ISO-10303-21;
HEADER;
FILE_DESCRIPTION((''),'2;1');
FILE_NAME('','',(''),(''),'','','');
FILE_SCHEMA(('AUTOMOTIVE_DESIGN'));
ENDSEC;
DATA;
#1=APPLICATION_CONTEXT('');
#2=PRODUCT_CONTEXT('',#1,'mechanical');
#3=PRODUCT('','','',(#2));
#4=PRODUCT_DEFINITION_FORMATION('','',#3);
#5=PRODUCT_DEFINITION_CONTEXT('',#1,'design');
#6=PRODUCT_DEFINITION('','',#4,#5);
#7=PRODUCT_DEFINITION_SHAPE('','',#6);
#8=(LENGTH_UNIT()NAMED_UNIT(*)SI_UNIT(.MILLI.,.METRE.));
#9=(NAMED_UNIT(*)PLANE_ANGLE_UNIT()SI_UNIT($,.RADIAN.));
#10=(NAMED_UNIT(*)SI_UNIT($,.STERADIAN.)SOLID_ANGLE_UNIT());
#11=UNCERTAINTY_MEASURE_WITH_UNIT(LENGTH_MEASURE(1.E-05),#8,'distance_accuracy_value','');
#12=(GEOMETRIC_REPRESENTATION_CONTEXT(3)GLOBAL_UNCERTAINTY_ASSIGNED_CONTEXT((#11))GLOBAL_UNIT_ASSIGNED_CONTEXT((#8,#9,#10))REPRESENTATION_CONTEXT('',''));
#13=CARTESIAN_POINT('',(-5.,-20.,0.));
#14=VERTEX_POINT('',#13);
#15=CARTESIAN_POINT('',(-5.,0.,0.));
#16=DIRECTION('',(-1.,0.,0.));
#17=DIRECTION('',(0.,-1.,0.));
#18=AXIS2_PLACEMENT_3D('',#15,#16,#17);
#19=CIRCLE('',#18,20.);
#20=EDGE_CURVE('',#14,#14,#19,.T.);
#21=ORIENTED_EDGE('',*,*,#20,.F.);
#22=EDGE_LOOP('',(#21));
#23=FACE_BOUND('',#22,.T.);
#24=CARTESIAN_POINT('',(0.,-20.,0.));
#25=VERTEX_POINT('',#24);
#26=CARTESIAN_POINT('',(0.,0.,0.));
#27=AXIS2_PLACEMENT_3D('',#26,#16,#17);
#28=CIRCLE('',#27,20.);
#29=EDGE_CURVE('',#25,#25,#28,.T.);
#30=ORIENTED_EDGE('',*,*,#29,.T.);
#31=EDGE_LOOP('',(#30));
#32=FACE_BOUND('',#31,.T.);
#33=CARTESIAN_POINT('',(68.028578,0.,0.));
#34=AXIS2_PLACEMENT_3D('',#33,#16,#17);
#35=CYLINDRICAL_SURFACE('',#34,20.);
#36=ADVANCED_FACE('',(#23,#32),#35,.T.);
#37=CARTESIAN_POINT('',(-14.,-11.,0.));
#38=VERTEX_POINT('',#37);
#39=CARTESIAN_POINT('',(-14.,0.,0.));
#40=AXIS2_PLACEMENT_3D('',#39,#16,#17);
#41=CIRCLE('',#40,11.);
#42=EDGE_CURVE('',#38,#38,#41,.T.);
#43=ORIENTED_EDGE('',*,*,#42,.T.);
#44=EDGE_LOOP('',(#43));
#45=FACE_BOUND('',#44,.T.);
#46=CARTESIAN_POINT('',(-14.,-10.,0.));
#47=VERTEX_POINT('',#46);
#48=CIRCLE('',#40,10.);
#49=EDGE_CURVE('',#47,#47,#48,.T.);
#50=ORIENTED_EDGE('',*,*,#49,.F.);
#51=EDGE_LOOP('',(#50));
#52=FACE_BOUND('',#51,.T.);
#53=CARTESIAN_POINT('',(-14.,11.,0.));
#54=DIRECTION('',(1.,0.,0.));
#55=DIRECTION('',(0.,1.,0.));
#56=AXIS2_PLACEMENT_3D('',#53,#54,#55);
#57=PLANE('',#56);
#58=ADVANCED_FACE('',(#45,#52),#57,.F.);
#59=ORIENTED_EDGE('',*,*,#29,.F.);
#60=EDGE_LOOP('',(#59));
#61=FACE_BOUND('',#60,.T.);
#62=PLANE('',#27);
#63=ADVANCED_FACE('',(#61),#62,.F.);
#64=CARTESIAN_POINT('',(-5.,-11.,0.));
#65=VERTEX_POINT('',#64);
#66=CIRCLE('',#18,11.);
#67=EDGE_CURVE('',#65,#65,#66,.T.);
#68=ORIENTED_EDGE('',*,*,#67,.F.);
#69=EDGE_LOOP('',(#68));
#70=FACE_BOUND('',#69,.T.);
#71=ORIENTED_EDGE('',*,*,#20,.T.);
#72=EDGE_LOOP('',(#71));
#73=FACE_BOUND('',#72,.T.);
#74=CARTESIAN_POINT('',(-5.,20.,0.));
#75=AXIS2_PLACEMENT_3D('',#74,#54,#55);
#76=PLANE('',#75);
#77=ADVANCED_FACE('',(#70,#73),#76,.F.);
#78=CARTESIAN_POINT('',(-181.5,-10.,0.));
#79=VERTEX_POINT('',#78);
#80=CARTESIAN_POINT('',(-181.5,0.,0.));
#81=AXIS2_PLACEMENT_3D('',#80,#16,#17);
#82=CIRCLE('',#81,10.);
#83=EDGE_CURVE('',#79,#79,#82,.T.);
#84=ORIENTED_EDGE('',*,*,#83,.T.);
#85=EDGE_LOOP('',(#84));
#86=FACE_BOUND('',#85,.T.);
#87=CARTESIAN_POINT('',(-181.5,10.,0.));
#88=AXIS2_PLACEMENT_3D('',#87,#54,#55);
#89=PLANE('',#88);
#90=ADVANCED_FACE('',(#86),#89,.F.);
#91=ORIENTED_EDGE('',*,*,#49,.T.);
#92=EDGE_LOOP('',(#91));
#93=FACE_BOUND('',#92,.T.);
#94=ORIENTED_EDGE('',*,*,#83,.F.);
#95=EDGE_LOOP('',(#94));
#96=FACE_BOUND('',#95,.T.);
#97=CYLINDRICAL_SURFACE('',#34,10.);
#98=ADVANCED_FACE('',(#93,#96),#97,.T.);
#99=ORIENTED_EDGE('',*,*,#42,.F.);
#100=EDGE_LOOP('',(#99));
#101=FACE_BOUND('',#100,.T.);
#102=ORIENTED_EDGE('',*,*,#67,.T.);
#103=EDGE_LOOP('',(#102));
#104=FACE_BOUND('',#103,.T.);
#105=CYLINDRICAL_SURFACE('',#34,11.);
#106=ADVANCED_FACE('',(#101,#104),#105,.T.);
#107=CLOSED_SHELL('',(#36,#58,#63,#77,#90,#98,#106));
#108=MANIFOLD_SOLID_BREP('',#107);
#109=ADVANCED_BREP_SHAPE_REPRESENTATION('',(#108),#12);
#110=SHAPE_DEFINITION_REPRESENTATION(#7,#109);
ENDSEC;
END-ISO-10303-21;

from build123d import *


with BuildPart() as part:
    # 草图1 → 旋转1 (revolve)
    with BuildSketch(Plane.XY, mode=Mode.PRIVATE) as revolve_1_sk:
        Polygon((0, 0), (0, 20), (-5, 20), (-5, 11), (-14, 11), (-14, 10), (-181.5, 10), (-181.5, 0), align=None)
    revolve(revolve_1_sk.sketch.rotate(Axis((68.028578159, 0, 0), (-1, 0, 0)), 180), axis=Axis((68.028578159, 0, 0), (-1, 0, 0)))


solid = part.part
